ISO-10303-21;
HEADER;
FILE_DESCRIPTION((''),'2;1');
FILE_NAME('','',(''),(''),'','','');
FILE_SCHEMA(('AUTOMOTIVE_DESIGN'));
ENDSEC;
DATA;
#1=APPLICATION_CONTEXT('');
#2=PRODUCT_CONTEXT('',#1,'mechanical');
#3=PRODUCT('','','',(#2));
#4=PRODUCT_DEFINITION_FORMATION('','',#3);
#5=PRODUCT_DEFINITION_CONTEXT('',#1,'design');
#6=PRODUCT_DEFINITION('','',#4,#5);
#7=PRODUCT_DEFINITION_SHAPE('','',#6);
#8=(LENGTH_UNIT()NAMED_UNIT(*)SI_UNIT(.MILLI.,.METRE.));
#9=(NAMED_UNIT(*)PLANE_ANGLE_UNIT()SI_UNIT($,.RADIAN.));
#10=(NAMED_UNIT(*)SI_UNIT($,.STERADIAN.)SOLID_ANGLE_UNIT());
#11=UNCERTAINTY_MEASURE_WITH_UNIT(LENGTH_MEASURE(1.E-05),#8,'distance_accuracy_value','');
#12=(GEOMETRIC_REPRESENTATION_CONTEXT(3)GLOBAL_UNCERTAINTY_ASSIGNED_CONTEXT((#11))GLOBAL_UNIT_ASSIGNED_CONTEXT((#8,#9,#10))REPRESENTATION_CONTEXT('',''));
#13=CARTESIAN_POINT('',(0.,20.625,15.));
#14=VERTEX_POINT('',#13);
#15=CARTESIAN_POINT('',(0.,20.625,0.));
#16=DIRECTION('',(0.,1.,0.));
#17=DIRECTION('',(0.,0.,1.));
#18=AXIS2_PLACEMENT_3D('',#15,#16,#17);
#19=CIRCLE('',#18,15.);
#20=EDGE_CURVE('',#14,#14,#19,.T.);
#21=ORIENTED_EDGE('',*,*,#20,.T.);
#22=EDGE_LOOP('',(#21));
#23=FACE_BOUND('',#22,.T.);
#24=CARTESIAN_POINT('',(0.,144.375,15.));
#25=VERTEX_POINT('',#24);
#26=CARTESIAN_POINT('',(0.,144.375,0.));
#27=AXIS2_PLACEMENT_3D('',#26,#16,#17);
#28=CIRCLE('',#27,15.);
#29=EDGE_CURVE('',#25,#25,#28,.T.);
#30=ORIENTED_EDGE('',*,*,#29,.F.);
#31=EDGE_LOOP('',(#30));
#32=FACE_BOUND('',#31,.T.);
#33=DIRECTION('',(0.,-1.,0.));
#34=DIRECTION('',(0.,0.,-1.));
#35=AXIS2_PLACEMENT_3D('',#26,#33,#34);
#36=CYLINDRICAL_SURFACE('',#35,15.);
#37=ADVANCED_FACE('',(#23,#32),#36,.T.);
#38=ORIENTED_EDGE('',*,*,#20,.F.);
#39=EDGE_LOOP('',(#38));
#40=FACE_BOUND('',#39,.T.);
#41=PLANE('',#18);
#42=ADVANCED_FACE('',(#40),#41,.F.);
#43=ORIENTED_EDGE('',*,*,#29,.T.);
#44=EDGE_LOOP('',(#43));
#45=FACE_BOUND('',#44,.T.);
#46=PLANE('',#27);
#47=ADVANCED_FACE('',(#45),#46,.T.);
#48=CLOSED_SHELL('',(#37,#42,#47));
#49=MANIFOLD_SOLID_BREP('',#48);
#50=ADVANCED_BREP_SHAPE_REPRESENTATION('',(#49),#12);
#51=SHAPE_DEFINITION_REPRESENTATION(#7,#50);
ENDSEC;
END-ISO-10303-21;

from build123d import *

# Parameters (mm, degrees)
SKETCH1_R           = 20
BOSS_EXTRUDE1_DEPTH = 165
SCALE1_SCALE        = 0.75


with BuildPart() as part:
    # Sketch1 → Boss-Extrude1 (new body)
    with BuildSketch(Plane(origin=(0, 0, 0), x_dir=(1, 0, 0), z_dir=(0, 1, 0))):
        with Locations(Location((0, 0, 0), (0, 0, 270))):
            Circle(SKETCH1_R)
    extrude(amount=BOSS_EXTRUDE1_DEPTH)


with BuildPart() as part_1:
    # Scale1: scaled about (0, 82.5, 0)
    add(part.part.scale(SCALE1_SCALE).moved(Location((0, 20.625, 0))))


solid = part_1.part
